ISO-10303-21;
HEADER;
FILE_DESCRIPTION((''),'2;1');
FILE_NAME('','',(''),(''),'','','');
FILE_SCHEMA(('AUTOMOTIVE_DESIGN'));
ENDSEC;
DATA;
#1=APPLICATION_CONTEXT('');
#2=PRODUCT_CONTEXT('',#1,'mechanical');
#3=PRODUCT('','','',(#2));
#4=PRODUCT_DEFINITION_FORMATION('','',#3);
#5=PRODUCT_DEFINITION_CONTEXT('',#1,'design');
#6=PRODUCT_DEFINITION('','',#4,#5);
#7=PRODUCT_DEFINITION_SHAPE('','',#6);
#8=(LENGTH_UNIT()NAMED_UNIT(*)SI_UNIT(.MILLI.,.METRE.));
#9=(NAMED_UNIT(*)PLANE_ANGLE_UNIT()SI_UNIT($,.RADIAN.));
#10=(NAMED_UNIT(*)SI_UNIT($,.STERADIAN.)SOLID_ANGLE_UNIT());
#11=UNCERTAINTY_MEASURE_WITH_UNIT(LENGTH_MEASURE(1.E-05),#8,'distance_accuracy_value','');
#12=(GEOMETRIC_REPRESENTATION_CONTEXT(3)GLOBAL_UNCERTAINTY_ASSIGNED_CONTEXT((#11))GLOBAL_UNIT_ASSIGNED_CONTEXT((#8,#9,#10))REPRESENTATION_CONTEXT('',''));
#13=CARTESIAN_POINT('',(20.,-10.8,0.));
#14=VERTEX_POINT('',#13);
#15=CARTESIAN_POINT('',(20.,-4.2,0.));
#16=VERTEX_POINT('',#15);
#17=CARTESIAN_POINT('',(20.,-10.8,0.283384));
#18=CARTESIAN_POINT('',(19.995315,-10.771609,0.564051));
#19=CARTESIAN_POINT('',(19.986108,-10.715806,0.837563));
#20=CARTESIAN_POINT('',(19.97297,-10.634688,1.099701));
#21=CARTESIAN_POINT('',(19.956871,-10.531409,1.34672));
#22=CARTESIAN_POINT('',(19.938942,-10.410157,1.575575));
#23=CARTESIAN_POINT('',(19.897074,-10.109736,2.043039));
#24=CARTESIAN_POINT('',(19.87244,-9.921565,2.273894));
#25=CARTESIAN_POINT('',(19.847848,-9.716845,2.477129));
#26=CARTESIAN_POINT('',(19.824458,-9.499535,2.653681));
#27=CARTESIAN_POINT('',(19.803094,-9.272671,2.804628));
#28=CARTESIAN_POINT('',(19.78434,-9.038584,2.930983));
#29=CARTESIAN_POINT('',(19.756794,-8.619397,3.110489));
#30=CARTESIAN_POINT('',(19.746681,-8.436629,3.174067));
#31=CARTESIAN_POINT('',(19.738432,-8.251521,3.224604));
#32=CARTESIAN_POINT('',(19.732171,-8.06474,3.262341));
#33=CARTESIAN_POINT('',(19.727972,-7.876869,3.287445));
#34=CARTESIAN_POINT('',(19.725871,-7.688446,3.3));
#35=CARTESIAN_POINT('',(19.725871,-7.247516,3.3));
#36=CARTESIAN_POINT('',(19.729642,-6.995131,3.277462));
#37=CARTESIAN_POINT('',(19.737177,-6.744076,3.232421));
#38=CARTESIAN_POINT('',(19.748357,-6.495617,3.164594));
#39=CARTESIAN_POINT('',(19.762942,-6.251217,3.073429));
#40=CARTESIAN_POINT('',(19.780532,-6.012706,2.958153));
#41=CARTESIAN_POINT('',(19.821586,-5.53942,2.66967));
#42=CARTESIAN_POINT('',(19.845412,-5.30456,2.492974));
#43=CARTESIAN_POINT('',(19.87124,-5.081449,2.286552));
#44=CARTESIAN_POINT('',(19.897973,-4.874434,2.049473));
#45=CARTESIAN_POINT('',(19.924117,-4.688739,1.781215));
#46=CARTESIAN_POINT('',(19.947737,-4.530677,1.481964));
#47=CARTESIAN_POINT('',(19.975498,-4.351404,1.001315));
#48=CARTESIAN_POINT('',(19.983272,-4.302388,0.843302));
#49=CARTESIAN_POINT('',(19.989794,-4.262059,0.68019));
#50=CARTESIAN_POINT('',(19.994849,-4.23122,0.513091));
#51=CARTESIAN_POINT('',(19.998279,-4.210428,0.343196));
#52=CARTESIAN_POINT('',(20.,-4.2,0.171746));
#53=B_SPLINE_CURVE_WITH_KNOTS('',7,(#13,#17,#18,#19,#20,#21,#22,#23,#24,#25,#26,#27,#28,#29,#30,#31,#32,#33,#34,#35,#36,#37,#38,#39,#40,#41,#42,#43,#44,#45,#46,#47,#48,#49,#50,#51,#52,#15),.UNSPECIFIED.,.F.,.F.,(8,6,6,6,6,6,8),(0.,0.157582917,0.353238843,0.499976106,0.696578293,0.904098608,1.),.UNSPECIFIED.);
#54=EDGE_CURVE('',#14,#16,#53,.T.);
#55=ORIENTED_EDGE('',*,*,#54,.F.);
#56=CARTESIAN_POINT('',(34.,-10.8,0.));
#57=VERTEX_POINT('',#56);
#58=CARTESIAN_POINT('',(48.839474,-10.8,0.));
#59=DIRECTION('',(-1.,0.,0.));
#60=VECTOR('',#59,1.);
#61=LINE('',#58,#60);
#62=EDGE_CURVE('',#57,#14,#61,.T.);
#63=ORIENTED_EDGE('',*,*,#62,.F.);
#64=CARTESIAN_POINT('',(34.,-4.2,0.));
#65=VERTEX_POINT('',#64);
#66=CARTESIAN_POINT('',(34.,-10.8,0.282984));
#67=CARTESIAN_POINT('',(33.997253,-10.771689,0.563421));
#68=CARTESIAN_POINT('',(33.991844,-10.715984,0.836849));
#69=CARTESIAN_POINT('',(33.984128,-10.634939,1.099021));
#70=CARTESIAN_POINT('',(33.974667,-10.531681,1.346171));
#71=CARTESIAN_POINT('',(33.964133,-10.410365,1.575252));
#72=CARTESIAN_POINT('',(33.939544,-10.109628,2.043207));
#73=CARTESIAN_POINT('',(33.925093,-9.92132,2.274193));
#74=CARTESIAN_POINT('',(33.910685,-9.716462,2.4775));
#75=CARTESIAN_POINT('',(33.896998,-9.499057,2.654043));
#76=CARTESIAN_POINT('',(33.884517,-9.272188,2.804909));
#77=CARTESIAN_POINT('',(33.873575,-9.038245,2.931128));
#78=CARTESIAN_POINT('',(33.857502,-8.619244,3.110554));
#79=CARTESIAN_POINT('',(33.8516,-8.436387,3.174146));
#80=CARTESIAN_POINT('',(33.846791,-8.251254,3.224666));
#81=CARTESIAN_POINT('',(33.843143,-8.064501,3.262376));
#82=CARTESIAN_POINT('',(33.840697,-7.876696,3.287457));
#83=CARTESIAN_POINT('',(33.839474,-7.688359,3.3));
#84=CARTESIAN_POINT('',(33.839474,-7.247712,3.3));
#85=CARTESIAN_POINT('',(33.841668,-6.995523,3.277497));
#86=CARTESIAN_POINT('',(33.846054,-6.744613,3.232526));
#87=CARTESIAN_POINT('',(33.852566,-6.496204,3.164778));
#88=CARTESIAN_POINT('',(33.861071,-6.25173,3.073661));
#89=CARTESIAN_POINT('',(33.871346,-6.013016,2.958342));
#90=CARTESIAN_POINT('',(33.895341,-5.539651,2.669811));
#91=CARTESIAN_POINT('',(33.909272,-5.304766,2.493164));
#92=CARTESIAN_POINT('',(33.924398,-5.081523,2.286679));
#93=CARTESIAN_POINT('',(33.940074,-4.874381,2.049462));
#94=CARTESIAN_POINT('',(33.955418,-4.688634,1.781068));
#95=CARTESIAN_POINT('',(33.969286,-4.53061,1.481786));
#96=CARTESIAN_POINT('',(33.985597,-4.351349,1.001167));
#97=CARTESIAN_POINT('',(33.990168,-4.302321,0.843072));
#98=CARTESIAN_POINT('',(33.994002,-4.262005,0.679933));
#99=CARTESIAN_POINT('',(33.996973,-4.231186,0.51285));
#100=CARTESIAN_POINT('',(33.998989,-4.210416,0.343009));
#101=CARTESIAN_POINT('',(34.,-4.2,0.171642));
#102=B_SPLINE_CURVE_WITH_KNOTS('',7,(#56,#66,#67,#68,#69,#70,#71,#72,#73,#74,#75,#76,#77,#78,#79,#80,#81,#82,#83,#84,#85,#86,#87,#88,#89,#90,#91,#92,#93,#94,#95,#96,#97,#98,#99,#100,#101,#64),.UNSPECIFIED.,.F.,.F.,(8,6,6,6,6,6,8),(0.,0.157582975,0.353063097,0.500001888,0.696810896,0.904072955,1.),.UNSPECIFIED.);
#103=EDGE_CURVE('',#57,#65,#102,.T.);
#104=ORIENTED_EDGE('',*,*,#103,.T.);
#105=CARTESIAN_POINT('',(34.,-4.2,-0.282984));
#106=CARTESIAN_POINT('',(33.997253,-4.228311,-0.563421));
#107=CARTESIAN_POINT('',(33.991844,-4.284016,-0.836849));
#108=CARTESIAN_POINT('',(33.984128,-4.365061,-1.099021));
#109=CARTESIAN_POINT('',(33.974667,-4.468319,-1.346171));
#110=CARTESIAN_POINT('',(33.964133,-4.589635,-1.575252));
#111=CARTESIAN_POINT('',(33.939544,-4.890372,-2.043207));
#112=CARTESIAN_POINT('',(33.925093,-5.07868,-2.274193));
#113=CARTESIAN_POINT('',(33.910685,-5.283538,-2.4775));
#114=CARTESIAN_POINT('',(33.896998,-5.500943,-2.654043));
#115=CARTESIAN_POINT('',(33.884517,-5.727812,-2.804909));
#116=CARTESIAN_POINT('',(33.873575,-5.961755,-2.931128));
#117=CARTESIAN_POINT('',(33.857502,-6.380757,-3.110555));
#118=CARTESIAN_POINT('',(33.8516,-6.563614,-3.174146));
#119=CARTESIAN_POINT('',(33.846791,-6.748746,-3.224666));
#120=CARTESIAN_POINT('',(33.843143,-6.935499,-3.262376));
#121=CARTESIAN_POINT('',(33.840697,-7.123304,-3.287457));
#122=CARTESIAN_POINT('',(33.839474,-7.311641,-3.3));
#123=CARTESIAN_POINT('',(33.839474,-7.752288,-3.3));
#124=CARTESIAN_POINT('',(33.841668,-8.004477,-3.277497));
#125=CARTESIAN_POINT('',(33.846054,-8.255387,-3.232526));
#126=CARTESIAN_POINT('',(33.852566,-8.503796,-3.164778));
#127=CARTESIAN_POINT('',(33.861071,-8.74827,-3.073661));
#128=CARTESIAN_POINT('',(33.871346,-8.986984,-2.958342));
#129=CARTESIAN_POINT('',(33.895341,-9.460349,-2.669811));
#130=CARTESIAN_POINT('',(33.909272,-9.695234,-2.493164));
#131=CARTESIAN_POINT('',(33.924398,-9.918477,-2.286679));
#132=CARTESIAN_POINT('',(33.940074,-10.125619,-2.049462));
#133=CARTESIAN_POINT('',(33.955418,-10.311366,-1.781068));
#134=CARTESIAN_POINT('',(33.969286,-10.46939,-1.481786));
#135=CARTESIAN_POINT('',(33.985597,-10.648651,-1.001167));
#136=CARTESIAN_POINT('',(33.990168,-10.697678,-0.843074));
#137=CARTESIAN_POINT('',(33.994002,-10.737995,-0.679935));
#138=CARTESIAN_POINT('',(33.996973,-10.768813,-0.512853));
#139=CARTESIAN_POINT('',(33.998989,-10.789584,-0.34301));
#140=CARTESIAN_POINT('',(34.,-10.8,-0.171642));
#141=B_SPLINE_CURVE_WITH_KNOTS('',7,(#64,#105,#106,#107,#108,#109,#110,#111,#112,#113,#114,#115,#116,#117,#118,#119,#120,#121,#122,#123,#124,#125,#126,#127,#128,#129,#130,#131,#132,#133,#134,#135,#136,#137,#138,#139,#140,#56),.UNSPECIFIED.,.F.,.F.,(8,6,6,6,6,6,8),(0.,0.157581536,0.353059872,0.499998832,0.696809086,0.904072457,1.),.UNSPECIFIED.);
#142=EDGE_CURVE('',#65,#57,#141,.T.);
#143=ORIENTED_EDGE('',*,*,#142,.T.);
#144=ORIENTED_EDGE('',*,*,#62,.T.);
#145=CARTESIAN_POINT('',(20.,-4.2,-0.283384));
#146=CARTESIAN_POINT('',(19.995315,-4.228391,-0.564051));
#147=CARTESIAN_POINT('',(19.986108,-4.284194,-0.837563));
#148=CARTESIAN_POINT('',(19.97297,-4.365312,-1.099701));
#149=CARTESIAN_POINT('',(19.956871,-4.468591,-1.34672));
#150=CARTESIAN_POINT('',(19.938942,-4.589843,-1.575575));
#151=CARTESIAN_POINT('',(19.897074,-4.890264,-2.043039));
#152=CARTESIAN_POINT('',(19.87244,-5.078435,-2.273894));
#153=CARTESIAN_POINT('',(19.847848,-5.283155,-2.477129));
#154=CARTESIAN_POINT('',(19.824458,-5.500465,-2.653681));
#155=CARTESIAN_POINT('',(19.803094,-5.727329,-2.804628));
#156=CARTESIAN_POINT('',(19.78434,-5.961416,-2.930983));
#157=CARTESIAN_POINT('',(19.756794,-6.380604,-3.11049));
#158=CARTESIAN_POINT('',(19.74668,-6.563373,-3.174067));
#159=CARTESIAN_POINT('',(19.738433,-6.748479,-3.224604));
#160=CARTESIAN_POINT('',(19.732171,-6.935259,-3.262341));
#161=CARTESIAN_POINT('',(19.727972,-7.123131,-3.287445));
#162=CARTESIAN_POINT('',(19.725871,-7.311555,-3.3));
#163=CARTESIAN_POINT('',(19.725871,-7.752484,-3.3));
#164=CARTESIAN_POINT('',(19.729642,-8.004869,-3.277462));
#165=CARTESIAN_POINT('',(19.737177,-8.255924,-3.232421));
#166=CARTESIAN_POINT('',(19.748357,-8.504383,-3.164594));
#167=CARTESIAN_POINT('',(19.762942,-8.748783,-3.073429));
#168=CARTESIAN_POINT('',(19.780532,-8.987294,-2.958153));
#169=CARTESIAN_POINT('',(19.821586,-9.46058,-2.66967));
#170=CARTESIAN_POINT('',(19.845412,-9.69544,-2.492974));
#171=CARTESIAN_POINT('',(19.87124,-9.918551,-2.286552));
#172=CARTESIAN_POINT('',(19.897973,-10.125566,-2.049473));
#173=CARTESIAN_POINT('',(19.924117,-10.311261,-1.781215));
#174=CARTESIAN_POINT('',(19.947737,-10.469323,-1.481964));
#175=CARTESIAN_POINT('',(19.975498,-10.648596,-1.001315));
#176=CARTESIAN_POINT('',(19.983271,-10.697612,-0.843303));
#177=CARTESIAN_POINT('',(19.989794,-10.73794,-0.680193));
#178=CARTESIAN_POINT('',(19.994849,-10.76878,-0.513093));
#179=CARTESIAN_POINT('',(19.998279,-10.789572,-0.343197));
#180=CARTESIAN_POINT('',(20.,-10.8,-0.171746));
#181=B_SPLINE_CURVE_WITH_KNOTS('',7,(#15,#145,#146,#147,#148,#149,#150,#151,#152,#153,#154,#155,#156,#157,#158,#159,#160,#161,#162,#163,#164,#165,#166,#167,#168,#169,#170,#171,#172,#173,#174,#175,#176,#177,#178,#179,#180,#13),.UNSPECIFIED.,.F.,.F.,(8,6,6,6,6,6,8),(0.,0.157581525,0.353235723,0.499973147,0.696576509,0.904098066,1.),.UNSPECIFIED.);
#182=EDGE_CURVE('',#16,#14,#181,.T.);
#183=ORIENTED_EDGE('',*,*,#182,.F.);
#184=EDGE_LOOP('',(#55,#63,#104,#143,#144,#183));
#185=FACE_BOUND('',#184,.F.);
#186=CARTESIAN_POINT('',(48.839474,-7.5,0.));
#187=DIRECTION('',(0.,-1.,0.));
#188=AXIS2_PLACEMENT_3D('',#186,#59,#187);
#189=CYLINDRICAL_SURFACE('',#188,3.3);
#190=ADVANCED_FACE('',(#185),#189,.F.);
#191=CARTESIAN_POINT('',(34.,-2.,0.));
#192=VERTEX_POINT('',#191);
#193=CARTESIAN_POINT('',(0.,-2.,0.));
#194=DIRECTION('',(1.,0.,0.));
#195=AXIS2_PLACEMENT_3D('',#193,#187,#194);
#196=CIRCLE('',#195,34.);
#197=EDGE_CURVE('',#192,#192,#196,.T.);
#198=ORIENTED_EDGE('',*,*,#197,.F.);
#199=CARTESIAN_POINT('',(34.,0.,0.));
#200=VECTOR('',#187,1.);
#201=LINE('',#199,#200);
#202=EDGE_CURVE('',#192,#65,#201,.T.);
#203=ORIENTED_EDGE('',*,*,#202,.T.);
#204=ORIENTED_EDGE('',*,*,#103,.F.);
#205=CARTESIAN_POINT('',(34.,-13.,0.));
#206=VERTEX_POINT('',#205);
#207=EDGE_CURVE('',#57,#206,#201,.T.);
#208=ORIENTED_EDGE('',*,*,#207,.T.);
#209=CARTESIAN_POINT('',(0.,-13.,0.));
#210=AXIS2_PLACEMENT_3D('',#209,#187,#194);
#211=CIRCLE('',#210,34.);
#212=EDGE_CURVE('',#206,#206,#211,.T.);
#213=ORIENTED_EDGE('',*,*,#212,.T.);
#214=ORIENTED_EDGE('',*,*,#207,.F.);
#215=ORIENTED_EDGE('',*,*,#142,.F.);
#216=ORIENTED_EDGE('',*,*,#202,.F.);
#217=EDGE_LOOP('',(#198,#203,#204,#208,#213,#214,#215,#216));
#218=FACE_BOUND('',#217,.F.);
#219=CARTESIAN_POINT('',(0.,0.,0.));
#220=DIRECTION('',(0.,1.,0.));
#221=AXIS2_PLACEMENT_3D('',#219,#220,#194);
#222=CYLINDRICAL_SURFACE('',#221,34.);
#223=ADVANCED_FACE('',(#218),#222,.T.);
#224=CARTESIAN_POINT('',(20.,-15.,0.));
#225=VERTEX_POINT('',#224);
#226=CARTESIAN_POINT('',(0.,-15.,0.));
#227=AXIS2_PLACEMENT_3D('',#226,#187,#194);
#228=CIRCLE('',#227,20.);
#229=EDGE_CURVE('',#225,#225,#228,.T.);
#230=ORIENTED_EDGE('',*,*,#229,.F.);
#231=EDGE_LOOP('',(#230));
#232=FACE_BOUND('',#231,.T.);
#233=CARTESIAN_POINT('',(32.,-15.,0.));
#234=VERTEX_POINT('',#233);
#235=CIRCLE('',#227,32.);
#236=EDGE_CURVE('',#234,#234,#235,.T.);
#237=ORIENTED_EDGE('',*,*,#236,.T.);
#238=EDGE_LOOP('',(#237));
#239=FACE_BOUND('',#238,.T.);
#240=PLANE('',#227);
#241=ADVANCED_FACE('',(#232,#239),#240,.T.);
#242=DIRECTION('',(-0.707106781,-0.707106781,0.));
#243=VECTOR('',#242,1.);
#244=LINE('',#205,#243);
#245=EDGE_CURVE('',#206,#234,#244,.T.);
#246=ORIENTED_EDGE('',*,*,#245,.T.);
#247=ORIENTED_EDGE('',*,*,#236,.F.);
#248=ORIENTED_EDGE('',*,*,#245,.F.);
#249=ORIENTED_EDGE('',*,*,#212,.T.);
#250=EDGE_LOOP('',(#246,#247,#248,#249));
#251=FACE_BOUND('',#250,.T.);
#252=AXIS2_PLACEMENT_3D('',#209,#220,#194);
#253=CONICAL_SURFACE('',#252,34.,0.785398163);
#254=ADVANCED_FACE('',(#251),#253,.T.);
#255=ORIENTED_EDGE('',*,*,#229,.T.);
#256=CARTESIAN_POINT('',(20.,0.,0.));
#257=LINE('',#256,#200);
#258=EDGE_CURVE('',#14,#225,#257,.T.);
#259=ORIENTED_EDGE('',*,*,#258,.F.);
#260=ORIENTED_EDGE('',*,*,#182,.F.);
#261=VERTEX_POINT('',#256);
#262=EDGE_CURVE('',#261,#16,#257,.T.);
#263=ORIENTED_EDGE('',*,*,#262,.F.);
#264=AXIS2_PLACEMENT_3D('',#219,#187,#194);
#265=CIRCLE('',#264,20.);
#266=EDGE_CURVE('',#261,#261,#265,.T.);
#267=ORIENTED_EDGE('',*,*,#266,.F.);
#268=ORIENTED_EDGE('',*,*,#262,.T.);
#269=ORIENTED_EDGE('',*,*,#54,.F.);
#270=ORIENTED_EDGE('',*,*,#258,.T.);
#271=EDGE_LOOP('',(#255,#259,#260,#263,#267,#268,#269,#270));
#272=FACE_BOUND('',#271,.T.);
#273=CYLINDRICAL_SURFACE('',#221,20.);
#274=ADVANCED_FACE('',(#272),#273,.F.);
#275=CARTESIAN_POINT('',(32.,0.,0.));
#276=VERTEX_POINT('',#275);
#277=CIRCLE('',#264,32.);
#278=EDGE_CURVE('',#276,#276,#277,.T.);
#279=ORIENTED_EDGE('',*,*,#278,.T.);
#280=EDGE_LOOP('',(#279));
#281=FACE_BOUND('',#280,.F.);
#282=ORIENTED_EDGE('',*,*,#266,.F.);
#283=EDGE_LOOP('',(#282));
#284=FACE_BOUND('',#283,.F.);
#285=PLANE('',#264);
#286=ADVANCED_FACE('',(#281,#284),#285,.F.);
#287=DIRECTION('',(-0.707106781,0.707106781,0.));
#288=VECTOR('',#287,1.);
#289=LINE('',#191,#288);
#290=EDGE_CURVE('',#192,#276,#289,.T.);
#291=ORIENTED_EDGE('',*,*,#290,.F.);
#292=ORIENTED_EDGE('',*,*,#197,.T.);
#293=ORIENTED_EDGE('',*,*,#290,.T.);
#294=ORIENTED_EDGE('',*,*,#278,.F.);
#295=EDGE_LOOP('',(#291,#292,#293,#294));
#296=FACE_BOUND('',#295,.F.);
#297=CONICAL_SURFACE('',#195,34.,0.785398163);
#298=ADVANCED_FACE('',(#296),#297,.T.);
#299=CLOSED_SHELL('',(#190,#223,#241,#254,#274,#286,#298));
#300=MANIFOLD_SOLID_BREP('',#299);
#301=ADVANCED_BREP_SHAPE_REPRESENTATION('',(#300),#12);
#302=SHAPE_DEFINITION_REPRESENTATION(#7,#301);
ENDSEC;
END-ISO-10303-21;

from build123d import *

# Parameters (mm, degrees)
F0_R     = 34
F0_R_2   = 20
F1_DEPTH = 15
F2_SIZE  = 2
F5_D     = 6.6
F5_DEPTH = 15
F5_START = 0.1605261
F5_TIP   = 1.9828400428


with BuildPart() as f1:
    # F0 (on Front) → F1 (new body)
    with BuildSketch(Plane.XZ):
        Circle(F0_R)
        Circle(F0_R_2, mode=Mode.SUBTRACT)
    extrude(amount=F1_DEPTH)

    # F2
    f2_edges = [f1.edges().sort_by_distance(p)[0] for p in [
        (-34, 0, 0),
        (-34, -15, 0),
    ]]
    chamfer(f2_edges, length=F2_SIZE)

    # F5
    # its depths count from where the whole tool has entered the part; down to there all is cleared
    with Locations(Plane.YZ.offset(34).offset(-F5_START)):
        with Locations((-7.5, 0)):
            Hole(F5_D / 2, depth=F5_DEPTH)
            with Locations((0, 0, -(F5_DEPTH + F5_TIP / 2))):  # 118° drill point
                Cone(0, F5_D / 2, F5_TIP, mode=Mode.SUBTRACT)


solid = f1.part
